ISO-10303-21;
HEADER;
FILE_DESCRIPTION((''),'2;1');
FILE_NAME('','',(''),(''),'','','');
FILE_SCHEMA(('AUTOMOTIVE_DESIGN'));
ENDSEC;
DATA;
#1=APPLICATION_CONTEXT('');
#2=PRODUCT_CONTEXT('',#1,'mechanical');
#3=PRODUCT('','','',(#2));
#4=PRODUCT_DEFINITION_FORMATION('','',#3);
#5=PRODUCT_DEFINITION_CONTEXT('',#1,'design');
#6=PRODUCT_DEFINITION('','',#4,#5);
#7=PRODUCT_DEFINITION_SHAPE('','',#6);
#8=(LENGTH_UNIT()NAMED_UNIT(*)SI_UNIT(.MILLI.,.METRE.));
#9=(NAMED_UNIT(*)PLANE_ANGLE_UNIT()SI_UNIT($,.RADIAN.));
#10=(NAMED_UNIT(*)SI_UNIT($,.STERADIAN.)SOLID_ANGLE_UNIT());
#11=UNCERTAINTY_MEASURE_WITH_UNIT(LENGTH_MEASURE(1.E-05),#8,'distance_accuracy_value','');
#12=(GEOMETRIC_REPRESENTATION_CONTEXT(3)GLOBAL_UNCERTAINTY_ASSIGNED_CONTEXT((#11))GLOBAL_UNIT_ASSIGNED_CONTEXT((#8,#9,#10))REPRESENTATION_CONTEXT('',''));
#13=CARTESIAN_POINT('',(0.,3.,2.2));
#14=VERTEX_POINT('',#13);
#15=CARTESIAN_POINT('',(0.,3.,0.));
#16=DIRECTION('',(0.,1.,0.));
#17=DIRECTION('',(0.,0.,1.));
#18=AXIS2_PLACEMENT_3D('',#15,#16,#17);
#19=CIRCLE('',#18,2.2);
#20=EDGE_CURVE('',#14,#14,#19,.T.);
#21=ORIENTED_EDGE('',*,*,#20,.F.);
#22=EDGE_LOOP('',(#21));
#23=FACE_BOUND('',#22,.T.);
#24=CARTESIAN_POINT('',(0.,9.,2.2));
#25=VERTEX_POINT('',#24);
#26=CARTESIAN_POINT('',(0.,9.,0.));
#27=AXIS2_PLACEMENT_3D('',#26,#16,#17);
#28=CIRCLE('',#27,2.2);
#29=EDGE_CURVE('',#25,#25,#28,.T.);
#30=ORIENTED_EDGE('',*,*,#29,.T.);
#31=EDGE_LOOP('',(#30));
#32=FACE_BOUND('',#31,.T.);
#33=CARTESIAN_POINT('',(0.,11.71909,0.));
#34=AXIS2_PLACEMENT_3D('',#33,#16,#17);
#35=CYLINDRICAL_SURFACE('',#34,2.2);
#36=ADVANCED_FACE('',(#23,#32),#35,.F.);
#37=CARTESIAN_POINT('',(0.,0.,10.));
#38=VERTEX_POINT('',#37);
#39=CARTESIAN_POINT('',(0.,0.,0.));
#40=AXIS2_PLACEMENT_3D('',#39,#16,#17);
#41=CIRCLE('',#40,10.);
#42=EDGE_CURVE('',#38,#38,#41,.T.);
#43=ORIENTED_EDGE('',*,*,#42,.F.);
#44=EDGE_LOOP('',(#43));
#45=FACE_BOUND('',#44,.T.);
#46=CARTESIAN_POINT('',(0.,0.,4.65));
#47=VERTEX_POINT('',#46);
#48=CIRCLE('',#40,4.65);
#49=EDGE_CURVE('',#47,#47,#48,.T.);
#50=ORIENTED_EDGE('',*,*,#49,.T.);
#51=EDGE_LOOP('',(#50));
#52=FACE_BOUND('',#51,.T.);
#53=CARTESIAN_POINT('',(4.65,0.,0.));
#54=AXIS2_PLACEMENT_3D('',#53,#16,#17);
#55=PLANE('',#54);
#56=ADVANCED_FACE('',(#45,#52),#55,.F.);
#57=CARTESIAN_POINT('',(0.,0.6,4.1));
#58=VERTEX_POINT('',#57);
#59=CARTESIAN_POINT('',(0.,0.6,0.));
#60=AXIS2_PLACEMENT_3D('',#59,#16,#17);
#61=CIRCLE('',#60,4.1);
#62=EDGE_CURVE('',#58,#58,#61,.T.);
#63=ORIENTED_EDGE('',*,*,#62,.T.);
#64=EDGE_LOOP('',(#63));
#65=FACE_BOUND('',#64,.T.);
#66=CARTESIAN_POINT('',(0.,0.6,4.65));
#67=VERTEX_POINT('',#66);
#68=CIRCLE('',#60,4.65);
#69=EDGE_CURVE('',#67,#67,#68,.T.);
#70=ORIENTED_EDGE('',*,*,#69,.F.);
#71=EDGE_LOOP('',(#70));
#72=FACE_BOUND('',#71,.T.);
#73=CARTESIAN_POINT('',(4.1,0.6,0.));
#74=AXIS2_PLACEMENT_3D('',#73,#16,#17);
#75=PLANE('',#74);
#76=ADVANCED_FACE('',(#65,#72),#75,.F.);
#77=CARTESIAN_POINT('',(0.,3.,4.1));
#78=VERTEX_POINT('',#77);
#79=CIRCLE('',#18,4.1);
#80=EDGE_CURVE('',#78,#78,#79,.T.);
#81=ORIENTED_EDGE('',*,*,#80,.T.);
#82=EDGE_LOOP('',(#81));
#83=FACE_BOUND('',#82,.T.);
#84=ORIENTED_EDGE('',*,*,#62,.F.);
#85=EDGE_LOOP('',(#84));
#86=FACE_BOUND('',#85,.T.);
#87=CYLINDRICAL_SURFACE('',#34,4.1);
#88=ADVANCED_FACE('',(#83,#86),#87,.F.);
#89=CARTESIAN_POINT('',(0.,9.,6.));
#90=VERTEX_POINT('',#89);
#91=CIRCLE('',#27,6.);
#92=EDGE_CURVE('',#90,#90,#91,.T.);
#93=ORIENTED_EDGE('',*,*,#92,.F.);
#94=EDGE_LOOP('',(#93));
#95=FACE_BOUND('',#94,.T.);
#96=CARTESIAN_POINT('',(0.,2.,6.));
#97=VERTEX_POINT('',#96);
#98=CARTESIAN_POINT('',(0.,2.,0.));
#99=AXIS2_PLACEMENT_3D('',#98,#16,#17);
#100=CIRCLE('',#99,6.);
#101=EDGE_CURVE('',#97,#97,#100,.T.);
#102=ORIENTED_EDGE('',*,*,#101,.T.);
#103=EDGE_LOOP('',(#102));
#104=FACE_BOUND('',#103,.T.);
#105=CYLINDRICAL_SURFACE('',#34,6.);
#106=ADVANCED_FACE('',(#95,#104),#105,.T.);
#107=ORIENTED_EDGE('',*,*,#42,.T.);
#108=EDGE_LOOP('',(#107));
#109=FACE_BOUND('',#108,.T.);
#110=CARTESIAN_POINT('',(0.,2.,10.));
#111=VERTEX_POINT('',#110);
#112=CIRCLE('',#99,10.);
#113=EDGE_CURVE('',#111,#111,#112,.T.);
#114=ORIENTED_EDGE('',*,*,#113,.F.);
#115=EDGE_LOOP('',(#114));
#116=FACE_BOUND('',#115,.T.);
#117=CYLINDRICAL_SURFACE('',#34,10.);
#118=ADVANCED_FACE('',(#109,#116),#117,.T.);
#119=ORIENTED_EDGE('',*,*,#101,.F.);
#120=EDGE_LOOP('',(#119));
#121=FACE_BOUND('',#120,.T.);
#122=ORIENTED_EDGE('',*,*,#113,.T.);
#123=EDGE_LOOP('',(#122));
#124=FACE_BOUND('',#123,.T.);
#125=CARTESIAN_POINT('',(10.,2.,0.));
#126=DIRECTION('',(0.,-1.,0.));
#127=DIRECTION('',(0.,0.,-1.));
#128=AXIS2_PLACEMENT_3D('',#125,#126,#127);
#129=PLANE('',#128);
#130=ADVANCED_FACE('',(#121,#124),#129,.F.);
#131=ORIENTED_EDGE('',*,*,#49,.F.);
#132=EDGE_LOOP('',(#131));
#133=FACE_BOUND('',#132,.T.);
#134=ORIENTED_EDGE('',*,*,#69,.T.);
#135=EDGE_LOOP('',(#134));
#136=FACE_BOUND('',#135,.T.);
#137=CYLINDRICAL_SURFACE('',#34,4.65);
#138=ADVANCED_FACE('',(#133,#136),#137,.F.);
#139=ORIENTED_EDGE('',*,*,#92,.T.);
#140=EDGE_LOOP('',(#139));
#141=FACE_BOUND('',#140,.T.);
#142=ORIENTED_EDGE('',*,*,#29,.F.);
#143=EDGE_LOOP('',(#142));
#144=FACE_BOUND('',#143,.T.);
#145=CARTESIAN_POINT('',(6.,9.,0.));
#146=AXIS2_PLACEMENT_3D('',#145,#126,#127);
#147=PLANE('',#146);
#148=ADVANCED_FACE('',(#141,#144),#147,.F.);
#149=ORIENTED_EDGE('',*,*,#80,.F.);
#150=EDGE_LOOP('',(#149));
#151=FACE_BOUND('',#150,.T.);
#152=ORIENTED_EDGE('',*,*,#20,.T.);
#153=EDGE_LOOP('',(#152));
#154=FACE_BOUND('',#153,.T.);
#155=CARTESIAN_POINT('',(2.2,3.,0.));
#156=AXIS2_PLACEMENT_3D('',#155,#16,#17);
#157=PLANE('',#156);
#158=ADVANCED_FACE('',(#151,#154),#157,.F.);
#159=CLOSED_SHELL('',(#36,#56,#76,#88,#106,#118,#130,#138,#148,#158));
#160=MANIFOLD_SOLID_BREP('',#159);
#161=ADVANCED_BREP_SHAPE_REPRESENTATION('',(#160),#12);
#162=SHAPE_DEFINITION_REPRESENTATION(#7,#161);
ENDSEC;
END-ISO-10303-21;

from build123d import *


with BuildPart() as part:
    # Croquis1 → Revolución1 (revolve)
    with BuildSketch(Plane.XY):
        Polygon((2.2, 9), (2.2, 3), (4.1, 3), (4.1, 0.6), (4.65, 0.6), (4.65, 0), (10, 0), (10, 2), (6, 2), (6, 9), align=None)
    revolve(axis=Axis((0, 11.719090396, 0), (0, -1, 0)))


solid = part.part
